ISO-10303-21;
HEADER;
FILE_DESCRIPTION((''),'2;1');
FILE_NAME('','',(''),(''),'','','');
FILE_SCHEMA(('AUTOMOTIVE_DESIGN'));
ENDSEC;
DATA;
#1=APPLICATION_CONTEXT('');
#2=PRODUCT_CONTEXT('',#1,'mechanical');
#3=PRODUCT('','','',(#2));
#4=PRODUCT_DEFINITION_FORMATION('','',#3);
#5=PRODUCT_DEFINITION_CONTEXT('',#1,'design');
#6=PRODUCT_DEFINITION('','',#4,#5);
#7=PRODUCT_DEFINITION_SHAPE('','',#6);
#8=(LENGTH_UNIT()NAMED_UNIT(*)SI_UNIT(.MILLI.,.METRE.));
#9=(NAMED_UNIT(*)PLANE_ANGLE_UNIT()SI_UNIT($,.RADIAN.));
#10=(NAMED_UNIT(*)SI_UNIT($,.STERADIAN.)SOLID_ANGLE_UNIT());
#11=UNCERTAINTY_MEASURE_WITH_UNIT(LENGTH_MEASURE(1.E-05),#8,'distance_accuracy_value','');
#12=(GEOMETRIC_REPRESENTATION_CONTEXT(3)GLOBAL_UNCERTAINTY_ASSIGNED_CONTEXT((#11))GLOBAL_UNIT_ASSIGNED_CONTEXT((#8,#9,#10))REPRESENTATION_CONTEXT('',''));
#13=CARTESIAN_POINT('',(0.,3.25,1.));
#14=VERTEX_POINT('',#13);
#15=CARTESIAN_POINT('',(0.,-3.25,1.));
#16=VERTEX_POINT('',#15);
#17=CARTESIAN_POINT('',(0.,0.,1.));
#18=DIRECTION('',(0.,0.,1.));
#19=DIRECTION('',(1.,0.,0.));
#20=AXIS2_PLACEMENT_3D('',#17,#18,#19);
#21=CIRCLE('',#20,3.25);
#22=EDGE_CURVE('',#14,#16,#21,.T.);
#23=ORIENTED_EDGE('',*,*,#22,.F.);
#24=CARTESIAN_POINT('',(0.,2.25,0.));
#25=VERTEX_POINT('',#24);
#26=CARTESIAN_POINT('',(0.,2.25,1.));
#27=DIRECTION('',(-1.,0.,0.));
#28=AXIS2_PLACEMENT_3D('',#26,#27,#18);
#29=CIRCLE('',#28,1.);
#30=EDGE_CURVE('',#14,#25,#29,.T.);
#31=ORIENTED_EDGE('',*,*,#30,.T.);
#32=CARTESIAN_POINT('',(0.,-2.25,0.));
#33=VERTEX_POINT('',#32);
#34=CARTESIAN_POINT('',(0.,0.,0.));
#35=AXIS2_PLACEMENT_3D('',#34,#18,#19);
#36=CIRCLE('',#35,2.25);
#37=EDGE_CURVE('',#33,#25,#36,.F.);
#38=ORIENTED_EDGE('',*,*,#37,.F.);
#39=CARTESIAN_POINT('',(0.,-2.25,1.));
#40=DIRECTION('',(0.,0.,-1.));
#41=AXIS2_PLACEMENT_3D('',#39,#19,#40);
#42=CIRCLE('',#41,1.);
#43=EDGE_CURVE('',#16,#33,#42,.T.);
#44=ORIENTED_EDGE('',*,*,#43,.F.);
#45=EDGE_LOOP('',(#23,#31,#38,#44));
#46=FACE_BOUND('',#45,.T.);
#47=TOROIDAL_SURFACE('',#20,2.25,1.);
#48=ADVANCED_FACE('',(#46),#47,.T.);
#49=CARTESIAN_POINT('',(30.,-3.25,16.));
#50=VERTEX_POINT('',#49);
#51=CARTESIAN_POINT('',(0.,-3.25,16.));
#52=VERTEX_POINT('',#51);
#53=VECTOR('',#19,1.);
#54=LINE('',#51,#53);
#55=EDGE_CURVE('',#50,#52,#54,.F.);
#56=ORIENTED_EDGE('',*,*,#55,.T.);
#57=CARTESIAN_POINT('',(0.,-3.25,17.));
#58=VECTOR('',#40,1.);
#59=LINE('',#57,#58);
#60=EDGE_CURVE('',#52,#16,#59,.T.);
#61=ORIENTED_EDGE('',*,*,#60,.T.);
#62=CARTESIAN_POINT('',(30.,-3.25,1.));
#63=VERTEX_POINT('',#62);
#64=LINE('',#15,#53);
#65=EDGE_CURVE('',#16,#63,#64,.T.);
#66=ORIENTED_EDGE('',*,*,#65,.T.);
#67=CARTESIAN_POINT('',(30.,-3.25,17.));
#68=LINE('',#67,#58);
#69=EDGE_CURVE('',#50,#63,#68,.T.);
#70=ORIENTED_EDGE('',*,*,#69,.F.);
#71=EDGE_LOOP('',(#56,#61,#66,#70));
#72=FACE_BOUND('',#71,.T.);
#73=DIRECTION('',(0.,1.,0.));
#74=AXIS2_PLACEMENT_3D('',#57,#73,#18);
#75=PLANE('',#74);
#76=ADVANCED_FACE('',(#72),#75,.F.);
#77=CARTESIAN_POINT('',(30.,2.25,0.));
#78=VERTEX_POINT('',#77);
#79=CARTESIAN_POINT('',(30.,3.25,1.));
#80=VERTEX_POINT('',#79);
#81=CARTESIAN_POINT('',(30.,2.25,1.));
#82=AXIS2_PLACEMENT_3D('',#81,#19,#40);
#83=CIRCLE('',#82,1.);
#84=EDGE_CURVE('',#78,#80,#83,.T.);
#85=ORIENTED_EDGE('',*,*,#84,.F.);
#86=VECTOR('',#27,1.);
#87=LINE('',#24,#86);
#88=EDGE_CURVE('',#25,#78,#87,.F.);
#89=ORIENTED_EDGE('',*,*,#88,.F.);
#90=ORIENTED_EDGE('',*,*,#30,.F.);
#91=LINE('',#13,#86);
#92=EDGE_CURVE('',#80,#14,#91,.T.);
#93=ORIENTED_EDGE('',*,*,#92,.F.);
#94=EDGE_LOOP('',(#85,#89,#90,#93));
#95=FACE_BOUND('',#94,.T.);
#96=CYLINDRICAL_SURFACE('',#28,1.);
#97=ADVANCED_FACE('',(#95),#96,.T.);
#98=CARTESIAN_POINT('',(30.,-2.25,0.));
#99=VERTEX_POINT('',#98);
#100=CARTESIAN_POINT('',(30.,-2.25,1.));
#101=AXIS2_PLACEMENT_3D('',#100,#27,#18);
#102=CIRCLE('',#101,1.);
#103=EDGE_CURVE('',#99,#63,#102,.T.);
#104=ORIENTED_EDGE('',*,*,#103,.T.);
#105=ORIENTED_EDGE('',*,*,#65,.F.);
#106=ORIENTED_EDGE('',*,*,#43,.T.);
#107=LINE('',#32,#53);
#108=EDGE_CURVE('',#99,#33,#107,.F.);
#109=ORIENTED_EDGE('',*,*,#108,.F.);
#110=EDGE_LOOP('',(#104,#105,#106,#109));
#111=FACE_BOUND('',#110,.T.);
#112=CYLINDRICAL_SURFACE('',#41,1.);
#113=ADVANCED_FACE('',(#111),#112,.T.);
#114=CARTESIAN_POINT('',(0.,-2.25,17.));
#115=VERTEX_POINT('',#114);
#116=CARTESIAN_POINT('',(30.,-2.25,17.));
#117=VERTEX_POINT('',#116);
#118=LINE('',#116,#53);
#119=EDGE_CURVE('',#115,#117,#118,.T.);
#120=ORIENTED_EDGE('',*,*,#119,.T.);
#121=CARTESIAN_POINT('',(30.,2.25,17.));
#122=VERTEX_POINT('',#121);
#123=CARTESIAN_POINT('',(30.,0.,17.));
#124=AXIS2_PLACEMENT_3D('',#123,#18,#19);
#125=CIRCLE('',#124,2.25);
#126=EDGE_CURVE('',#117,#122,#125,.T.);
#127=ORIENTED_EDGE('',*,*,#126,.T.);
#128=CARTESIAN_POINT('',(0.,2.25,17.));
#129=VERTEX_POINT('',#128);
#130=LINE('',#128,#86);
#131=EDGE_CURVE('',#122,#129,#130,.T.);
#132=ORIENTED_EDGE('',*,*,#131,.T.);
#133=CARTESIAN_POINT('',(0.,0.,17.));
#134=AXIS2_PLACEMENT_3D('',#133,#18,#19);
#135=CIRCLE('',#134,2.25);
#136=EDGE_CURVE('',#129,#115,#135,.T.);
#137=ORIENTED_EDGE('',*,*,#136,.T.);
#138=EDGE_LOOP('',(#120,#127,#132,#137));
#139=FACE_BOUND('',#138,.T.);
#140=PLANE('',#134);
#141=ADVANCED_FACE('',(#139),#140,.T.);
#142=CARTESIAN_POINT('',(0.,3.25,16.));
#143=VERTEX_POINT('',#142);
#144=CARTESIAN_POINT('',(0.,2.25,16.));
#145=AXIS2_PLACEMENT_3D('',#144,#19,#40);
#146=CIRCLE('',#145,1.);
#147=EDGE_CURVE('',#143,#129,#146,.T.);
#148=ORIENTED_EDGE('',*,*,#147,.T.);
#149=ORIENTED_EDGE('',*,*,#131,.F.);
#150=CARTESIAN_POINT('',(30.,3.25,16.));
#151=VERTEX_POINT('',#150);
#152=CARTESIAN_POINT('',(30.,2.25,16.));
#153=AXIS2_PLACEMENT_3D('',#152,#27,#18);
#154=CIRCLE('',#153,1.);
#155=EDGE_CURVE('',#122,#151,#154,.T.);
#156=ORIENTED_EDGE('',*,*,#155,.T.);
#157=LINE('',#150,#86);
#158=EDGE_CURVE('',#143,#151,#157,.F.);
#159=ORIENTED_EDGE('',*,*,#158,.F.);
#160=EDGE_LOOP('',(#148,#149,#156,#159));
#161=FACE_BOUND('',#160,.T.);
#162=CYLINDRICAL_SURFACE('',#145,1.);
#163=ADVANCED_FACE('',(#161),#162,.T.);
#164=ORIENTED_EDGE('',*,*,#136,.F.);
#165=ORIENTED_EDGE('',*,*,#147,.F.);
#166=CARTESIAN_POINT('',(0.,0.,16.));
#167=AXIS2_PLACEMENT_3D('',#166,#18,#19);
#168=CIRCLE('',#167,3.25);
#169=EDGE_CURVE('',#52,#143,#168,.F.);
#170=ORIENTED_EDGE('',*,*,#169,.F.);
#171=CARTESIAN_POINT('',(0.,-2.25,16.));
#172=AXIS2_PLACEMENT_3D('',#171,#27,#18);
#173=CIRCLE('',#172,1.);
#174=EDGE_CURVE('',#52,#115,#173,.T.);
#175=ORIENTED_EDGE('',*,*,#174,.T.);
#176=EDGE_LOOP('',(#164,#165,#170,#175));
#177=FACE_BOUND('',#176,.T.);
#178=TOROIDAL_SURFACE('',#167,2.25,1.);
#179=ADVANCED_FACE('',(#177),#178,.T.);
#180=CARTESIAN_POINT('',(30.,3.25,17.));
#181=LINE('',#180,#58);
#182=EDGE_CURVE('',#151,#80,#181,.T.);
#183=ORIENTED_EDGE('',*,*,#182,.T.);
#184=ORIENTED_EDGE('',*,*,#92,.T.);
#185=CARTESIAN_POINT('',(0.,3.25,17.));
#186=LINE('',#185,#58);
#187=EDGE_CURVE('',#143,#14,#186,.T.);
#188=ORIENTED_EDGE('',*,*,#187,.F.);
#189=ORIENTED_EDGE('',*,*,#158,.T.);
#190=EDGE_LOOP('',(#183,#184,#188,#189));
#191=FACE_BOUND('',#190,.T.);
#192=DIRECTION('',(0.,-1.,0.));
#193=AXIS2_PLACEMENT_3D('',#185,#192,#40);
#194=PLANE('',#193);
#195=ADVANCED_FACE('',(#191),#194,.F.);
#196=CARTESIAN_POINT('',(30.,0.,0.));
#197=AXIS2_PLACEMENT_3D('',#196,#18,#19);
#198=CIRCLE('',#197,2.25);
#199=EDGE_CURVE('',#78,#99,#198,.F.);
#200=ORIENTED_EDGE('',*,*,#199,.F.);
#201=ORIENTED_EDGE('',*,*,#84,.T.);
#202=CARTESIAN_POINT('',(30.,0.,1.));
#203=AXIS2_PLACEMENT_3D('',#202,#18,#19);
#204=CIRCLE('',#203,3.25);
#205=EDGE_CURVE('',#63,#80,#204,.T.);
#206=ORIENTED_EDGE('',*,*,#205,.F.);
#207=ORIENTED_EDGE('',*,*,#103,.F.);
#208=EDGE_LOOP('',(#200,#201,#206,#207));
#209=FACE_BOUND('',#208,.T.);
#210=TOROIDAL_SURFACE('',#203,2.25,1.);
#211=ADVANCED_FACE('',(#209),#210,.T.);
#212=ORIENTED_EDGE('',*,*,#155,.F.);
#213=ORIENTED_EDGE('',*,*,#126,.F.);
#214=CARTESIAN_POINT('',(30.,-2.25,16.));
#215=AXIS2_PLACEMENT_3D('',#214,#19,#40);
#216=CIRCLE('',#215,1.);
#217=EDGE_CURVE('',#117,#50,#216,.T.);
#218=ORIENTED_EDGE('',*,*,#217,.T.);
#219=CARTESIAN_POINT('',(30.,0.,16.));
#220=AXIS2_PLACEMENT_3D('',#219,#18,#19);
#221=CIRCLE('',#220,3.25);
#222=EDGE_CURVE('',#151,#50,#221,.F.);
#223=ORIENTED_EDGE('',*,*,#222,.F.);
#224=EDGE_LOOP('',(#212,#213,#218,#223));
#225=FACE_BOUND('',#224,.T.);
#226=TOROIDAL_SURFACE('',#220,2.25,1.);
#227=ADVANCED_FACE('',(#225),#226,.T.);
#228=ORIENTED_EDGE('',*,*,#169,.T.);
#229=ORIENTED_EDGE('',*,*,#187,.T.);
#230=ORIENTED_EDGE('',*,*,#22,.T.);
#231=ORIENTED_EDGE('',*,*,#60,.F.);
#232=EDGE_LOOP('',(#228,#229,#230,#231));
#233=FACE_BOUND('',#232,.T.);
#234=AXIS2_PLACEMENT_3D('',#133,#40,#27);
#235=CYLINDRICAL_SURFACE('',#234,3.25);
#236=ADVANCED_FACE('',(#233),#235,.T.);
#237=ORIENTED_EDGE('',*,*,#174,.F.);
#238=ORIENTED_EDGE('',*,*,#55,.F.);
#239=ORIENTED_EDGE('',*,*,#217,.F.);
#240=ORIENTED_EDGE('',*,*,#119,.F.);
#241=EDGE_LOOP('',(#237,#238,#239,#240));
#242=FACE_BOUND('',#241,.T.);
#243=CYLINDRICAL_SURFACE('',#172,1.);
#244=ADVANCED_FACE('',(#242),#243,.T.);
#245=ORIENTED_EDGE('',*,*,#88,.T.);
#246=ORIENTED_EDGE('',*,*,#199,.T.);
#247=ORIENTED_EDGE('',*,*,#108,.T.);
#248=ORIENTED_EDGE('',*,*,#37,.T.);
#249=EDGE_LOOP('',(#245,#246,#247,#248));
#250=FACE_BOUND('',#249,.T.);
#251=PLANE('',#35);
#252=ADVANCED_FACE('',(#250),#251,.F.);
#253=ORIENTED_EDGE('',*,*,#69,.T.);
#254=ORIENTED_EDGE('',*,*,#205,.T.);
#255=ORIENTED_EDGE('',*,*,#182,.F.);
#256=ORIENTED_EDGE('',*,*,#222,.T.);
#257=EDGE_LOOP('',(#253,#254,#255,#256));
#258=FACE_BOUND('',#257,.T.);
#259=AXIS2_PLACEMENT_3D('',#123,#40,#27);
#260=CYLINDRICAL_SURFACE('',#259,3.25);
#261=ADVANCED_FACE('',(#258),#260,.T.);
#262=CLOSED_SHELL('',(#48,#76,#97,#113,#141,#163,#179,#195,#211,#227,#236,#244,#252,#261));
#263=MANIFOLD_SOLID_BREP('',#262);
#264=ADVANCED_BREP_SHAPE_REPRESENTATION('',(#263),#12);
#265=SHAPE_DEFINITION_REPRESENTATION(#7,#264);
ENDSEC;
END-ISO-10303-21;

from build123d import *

# Parameters (mm, degrees)
RESSALTO_EXTRUS_O1_DEPTH = 17
FILETE1_R                = 1


with BuildPart() as part:
    # Esboço1 → Ressalto-extrusão1 (new body)
    with BuildSketch(Plane.XY):
        with BuildLine():
            Line((0, 3.25), (30, 3.25))
            ThreePointArc((30, 3.25), (33.25, 0), (30, -3.25))
            Line((30, -3.25), (0, -3.25))
            ThreePointArc((0, -3.25), (-3.25, 0), (0, 3.25))
        make_face()
    extrude(amount=RESSALTO_EXTRUS_O1_DEPTH)

    # Filete1
    filete1_edges = [part.edges().sort_by_distance(p)[0] for p in [
        (33.25, 0, 17),
        (15, 3.25, 17),
        (-3.25, 0, 17),
        (15, 3.25, 0),
        (33.25, 0, 0),
        (15, -3.25, 0),
        (-3.25, 0, 0),
        (15, -3.25, 17),
    ]]
    fillet(filete1_edges, radius=FILETE1_R)


solid = part.part
